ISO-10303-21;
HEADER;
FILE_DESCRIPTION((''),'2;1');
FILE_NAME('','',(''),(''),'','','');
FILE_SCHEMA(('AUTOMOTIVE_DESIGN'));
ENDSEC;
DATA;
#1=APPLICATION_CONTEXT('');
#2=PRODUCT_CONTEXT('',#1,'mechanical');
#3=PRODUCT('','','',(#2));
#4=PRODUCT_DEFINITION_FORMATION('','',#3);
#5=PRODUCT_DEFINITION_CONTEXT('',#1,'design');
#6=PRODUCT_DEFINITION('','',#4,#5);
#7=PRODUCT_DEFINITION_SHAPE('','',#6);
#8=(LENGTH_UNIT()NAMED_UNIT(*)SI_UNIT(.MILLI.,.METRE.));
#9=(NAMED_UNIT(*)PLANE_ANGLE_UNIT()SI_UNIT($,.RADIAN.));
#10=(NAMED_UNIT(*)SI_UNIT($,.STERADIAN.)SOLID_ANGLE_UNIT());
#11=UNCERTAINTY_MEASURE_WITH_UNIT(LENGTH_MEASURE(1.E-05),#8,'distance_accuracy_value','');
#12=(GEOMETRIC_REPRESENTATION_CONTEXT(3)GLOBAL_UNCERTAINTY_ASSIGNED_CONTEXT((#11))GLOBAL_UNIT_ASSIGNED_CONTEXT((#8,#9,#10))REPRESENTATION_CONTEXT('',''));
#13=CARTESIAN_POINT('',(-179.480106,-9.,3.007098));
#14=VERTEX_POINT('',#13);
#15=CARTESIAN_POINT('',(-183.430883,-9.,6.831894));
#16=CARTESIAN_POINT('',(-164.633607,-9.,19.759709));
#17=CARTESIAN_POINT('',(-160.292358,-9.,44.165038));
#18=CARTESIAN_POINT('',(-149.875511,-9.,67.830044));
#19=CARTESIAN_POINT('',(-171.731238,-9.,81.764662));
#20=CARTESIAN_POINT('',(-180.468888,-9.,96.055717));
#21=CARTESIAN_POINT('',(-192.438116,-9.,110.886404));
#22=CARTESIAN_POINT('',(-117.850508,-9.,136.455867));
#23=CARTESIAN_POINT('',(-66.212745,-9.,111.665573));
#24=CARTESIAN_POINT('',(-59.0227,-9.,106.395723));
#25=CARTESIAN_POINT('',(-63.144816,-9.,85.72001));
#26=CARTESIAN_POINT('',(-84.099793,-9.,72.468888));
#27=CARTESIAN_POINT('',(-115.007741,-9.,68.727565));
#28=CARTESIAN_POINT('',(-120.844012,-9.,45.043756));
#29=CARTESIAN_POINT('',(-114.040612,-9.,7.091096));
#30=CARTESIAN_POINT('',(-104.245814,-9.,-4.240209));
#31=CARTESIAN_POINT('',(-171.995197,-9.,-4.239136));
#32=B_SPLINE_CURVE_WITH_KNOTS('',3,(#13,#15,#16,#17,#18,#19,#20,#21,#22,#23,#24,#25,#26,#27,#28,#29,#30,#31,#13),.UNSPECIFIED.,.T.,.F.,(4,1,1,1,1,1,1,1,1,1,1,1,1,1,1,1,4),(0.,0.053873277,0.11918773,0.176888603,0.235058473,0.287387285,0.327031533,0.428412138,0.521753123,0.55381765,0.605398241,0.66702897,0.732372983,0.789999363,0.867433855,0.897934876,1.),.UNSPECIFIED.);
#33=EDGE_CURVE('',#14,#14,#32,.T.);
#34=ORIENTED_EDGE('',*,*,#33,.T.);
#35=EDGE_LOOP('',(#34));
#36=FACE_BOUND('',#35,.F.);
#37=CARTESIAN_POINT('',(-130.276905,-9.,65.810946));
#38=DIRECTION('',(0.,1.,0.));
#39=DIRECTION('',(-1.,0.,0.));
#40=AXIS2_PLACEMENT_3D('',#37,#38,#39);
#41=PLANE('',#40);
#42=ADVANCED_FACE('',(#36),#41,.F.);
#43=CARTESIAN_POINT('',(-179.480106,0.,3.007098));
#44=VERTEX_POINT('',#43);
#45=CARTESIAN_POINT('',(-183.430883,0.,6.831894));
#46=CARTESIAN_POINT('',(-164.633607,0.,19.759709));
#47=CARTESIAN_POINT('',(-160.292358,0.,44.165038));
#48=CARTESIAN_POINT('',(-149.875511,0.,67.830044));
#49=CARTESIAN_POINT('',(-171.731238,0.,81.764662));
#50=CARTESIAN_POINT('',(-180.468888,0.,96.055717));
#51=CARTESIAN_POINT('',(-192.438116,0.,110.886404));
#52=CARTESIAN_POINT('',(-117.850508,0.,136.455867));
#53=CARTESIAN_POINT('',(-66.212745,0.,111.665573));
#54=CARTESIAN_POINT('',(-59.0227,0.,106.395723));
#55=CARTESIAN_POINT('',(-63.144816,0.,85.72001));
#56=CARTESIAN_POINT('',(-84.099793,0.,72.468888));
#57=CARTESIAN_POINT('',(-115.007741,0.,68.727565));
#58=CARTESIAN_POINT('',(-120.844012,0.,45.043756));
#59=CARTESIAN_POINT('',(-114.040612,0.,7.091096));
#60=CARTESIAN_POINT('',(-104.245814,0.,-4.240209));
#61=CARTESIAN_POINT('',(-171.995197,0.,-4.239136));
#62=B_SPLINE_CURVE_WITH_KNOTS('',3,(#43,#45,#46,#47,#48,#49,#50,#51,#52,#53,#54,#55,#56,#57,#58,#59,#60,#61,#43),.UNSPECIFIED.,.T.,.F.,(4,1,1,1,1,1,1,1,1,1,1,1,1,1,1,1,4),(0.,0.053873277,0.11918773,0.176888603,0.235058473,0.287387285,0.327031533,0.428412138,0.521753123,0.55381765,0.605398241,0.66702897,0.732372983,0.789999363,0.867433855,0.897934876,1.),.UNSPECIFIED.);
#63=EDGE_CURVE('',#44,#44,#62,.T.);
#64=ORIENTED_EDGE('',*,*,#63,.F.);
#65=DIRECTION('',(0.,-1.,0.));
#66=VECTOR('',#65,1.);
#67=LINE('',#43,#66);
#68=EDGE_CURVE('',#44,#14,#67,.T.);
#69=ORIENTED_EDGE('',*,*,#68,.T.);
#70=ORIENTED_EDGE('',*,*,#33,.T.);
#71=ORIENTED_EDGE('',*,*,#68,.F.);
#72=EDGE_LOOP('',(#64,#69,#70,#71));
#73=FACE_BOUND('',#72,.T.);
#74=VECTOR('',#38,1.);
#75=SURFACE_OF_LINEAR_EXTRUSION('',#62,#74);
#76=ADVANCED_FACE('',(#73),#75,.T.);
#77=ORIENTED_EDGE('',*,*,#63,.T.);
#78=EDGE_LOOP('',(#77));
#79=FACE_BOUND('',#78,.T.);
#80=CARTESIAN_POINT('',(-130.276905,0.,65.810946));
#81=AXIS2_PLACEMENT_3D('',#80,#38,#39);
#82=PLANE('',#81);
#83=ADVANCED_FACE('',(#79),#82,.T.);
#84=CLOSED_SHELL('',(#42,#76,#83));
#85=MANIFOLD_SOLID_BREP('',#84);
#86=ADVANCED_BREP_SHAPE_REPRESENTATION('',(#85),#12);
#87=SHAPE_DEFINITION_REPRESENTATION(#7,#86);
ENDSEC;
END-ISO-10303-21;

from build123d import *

# Parameters (mm, degrees)
F1_DEPTH = 9


with BuildPart() as f1:
    # F0 (on Front) → F1 (new body)
    with BuildSketch(Plane.XZ):
        with BuildLine():
            add(Edge.make_bspline(
                [(-179.4801056385, 3.0070976354), (-183.4308826787, 6.8318942378), (-164.6336066848, 19.7597085686), (-160.2923584364, 44.1650384556), (-149.875511291, 67.8300441951), (-171.7312381418, 81.7646623844), (-180.4688881419, 96.0557165324), (-192.4381161316, 110.8864044262), (-117.8505075192, 136.455867409), (-66.2127446511, 111.6655733814), (-59.0227000079, 106.3957233672), (-63.1448162405, 85.7200102555), (-84.0997927265, 72.4688877418), (-115.0077411872, 68.7275651758), (-120.8440122366, 45.0437559077), (-114.0406122777, 7.0910958425), (-104.2458137829, -4.2402085854), (-171.9951971514, -4.239135766), (-179.4801056385, 3.0070976354)],
                knots=[0, 0, 0, 0, 0.0538732771, 0.1191877303, 0.1768886033, 0.2350584725, 0.2873872849, 0.3270315334, 0.4284121385, 0.5217531232, 0.5538176502, 0.6053982406, 0.6670289699, 0.7323729834, 0.7899993626, 0.8674338552, 0.8979348759, 1, 1, 1, 1], degree=3))
        make_face()
    extrude(amount=F1_DEPTH)


solid = f1.part
